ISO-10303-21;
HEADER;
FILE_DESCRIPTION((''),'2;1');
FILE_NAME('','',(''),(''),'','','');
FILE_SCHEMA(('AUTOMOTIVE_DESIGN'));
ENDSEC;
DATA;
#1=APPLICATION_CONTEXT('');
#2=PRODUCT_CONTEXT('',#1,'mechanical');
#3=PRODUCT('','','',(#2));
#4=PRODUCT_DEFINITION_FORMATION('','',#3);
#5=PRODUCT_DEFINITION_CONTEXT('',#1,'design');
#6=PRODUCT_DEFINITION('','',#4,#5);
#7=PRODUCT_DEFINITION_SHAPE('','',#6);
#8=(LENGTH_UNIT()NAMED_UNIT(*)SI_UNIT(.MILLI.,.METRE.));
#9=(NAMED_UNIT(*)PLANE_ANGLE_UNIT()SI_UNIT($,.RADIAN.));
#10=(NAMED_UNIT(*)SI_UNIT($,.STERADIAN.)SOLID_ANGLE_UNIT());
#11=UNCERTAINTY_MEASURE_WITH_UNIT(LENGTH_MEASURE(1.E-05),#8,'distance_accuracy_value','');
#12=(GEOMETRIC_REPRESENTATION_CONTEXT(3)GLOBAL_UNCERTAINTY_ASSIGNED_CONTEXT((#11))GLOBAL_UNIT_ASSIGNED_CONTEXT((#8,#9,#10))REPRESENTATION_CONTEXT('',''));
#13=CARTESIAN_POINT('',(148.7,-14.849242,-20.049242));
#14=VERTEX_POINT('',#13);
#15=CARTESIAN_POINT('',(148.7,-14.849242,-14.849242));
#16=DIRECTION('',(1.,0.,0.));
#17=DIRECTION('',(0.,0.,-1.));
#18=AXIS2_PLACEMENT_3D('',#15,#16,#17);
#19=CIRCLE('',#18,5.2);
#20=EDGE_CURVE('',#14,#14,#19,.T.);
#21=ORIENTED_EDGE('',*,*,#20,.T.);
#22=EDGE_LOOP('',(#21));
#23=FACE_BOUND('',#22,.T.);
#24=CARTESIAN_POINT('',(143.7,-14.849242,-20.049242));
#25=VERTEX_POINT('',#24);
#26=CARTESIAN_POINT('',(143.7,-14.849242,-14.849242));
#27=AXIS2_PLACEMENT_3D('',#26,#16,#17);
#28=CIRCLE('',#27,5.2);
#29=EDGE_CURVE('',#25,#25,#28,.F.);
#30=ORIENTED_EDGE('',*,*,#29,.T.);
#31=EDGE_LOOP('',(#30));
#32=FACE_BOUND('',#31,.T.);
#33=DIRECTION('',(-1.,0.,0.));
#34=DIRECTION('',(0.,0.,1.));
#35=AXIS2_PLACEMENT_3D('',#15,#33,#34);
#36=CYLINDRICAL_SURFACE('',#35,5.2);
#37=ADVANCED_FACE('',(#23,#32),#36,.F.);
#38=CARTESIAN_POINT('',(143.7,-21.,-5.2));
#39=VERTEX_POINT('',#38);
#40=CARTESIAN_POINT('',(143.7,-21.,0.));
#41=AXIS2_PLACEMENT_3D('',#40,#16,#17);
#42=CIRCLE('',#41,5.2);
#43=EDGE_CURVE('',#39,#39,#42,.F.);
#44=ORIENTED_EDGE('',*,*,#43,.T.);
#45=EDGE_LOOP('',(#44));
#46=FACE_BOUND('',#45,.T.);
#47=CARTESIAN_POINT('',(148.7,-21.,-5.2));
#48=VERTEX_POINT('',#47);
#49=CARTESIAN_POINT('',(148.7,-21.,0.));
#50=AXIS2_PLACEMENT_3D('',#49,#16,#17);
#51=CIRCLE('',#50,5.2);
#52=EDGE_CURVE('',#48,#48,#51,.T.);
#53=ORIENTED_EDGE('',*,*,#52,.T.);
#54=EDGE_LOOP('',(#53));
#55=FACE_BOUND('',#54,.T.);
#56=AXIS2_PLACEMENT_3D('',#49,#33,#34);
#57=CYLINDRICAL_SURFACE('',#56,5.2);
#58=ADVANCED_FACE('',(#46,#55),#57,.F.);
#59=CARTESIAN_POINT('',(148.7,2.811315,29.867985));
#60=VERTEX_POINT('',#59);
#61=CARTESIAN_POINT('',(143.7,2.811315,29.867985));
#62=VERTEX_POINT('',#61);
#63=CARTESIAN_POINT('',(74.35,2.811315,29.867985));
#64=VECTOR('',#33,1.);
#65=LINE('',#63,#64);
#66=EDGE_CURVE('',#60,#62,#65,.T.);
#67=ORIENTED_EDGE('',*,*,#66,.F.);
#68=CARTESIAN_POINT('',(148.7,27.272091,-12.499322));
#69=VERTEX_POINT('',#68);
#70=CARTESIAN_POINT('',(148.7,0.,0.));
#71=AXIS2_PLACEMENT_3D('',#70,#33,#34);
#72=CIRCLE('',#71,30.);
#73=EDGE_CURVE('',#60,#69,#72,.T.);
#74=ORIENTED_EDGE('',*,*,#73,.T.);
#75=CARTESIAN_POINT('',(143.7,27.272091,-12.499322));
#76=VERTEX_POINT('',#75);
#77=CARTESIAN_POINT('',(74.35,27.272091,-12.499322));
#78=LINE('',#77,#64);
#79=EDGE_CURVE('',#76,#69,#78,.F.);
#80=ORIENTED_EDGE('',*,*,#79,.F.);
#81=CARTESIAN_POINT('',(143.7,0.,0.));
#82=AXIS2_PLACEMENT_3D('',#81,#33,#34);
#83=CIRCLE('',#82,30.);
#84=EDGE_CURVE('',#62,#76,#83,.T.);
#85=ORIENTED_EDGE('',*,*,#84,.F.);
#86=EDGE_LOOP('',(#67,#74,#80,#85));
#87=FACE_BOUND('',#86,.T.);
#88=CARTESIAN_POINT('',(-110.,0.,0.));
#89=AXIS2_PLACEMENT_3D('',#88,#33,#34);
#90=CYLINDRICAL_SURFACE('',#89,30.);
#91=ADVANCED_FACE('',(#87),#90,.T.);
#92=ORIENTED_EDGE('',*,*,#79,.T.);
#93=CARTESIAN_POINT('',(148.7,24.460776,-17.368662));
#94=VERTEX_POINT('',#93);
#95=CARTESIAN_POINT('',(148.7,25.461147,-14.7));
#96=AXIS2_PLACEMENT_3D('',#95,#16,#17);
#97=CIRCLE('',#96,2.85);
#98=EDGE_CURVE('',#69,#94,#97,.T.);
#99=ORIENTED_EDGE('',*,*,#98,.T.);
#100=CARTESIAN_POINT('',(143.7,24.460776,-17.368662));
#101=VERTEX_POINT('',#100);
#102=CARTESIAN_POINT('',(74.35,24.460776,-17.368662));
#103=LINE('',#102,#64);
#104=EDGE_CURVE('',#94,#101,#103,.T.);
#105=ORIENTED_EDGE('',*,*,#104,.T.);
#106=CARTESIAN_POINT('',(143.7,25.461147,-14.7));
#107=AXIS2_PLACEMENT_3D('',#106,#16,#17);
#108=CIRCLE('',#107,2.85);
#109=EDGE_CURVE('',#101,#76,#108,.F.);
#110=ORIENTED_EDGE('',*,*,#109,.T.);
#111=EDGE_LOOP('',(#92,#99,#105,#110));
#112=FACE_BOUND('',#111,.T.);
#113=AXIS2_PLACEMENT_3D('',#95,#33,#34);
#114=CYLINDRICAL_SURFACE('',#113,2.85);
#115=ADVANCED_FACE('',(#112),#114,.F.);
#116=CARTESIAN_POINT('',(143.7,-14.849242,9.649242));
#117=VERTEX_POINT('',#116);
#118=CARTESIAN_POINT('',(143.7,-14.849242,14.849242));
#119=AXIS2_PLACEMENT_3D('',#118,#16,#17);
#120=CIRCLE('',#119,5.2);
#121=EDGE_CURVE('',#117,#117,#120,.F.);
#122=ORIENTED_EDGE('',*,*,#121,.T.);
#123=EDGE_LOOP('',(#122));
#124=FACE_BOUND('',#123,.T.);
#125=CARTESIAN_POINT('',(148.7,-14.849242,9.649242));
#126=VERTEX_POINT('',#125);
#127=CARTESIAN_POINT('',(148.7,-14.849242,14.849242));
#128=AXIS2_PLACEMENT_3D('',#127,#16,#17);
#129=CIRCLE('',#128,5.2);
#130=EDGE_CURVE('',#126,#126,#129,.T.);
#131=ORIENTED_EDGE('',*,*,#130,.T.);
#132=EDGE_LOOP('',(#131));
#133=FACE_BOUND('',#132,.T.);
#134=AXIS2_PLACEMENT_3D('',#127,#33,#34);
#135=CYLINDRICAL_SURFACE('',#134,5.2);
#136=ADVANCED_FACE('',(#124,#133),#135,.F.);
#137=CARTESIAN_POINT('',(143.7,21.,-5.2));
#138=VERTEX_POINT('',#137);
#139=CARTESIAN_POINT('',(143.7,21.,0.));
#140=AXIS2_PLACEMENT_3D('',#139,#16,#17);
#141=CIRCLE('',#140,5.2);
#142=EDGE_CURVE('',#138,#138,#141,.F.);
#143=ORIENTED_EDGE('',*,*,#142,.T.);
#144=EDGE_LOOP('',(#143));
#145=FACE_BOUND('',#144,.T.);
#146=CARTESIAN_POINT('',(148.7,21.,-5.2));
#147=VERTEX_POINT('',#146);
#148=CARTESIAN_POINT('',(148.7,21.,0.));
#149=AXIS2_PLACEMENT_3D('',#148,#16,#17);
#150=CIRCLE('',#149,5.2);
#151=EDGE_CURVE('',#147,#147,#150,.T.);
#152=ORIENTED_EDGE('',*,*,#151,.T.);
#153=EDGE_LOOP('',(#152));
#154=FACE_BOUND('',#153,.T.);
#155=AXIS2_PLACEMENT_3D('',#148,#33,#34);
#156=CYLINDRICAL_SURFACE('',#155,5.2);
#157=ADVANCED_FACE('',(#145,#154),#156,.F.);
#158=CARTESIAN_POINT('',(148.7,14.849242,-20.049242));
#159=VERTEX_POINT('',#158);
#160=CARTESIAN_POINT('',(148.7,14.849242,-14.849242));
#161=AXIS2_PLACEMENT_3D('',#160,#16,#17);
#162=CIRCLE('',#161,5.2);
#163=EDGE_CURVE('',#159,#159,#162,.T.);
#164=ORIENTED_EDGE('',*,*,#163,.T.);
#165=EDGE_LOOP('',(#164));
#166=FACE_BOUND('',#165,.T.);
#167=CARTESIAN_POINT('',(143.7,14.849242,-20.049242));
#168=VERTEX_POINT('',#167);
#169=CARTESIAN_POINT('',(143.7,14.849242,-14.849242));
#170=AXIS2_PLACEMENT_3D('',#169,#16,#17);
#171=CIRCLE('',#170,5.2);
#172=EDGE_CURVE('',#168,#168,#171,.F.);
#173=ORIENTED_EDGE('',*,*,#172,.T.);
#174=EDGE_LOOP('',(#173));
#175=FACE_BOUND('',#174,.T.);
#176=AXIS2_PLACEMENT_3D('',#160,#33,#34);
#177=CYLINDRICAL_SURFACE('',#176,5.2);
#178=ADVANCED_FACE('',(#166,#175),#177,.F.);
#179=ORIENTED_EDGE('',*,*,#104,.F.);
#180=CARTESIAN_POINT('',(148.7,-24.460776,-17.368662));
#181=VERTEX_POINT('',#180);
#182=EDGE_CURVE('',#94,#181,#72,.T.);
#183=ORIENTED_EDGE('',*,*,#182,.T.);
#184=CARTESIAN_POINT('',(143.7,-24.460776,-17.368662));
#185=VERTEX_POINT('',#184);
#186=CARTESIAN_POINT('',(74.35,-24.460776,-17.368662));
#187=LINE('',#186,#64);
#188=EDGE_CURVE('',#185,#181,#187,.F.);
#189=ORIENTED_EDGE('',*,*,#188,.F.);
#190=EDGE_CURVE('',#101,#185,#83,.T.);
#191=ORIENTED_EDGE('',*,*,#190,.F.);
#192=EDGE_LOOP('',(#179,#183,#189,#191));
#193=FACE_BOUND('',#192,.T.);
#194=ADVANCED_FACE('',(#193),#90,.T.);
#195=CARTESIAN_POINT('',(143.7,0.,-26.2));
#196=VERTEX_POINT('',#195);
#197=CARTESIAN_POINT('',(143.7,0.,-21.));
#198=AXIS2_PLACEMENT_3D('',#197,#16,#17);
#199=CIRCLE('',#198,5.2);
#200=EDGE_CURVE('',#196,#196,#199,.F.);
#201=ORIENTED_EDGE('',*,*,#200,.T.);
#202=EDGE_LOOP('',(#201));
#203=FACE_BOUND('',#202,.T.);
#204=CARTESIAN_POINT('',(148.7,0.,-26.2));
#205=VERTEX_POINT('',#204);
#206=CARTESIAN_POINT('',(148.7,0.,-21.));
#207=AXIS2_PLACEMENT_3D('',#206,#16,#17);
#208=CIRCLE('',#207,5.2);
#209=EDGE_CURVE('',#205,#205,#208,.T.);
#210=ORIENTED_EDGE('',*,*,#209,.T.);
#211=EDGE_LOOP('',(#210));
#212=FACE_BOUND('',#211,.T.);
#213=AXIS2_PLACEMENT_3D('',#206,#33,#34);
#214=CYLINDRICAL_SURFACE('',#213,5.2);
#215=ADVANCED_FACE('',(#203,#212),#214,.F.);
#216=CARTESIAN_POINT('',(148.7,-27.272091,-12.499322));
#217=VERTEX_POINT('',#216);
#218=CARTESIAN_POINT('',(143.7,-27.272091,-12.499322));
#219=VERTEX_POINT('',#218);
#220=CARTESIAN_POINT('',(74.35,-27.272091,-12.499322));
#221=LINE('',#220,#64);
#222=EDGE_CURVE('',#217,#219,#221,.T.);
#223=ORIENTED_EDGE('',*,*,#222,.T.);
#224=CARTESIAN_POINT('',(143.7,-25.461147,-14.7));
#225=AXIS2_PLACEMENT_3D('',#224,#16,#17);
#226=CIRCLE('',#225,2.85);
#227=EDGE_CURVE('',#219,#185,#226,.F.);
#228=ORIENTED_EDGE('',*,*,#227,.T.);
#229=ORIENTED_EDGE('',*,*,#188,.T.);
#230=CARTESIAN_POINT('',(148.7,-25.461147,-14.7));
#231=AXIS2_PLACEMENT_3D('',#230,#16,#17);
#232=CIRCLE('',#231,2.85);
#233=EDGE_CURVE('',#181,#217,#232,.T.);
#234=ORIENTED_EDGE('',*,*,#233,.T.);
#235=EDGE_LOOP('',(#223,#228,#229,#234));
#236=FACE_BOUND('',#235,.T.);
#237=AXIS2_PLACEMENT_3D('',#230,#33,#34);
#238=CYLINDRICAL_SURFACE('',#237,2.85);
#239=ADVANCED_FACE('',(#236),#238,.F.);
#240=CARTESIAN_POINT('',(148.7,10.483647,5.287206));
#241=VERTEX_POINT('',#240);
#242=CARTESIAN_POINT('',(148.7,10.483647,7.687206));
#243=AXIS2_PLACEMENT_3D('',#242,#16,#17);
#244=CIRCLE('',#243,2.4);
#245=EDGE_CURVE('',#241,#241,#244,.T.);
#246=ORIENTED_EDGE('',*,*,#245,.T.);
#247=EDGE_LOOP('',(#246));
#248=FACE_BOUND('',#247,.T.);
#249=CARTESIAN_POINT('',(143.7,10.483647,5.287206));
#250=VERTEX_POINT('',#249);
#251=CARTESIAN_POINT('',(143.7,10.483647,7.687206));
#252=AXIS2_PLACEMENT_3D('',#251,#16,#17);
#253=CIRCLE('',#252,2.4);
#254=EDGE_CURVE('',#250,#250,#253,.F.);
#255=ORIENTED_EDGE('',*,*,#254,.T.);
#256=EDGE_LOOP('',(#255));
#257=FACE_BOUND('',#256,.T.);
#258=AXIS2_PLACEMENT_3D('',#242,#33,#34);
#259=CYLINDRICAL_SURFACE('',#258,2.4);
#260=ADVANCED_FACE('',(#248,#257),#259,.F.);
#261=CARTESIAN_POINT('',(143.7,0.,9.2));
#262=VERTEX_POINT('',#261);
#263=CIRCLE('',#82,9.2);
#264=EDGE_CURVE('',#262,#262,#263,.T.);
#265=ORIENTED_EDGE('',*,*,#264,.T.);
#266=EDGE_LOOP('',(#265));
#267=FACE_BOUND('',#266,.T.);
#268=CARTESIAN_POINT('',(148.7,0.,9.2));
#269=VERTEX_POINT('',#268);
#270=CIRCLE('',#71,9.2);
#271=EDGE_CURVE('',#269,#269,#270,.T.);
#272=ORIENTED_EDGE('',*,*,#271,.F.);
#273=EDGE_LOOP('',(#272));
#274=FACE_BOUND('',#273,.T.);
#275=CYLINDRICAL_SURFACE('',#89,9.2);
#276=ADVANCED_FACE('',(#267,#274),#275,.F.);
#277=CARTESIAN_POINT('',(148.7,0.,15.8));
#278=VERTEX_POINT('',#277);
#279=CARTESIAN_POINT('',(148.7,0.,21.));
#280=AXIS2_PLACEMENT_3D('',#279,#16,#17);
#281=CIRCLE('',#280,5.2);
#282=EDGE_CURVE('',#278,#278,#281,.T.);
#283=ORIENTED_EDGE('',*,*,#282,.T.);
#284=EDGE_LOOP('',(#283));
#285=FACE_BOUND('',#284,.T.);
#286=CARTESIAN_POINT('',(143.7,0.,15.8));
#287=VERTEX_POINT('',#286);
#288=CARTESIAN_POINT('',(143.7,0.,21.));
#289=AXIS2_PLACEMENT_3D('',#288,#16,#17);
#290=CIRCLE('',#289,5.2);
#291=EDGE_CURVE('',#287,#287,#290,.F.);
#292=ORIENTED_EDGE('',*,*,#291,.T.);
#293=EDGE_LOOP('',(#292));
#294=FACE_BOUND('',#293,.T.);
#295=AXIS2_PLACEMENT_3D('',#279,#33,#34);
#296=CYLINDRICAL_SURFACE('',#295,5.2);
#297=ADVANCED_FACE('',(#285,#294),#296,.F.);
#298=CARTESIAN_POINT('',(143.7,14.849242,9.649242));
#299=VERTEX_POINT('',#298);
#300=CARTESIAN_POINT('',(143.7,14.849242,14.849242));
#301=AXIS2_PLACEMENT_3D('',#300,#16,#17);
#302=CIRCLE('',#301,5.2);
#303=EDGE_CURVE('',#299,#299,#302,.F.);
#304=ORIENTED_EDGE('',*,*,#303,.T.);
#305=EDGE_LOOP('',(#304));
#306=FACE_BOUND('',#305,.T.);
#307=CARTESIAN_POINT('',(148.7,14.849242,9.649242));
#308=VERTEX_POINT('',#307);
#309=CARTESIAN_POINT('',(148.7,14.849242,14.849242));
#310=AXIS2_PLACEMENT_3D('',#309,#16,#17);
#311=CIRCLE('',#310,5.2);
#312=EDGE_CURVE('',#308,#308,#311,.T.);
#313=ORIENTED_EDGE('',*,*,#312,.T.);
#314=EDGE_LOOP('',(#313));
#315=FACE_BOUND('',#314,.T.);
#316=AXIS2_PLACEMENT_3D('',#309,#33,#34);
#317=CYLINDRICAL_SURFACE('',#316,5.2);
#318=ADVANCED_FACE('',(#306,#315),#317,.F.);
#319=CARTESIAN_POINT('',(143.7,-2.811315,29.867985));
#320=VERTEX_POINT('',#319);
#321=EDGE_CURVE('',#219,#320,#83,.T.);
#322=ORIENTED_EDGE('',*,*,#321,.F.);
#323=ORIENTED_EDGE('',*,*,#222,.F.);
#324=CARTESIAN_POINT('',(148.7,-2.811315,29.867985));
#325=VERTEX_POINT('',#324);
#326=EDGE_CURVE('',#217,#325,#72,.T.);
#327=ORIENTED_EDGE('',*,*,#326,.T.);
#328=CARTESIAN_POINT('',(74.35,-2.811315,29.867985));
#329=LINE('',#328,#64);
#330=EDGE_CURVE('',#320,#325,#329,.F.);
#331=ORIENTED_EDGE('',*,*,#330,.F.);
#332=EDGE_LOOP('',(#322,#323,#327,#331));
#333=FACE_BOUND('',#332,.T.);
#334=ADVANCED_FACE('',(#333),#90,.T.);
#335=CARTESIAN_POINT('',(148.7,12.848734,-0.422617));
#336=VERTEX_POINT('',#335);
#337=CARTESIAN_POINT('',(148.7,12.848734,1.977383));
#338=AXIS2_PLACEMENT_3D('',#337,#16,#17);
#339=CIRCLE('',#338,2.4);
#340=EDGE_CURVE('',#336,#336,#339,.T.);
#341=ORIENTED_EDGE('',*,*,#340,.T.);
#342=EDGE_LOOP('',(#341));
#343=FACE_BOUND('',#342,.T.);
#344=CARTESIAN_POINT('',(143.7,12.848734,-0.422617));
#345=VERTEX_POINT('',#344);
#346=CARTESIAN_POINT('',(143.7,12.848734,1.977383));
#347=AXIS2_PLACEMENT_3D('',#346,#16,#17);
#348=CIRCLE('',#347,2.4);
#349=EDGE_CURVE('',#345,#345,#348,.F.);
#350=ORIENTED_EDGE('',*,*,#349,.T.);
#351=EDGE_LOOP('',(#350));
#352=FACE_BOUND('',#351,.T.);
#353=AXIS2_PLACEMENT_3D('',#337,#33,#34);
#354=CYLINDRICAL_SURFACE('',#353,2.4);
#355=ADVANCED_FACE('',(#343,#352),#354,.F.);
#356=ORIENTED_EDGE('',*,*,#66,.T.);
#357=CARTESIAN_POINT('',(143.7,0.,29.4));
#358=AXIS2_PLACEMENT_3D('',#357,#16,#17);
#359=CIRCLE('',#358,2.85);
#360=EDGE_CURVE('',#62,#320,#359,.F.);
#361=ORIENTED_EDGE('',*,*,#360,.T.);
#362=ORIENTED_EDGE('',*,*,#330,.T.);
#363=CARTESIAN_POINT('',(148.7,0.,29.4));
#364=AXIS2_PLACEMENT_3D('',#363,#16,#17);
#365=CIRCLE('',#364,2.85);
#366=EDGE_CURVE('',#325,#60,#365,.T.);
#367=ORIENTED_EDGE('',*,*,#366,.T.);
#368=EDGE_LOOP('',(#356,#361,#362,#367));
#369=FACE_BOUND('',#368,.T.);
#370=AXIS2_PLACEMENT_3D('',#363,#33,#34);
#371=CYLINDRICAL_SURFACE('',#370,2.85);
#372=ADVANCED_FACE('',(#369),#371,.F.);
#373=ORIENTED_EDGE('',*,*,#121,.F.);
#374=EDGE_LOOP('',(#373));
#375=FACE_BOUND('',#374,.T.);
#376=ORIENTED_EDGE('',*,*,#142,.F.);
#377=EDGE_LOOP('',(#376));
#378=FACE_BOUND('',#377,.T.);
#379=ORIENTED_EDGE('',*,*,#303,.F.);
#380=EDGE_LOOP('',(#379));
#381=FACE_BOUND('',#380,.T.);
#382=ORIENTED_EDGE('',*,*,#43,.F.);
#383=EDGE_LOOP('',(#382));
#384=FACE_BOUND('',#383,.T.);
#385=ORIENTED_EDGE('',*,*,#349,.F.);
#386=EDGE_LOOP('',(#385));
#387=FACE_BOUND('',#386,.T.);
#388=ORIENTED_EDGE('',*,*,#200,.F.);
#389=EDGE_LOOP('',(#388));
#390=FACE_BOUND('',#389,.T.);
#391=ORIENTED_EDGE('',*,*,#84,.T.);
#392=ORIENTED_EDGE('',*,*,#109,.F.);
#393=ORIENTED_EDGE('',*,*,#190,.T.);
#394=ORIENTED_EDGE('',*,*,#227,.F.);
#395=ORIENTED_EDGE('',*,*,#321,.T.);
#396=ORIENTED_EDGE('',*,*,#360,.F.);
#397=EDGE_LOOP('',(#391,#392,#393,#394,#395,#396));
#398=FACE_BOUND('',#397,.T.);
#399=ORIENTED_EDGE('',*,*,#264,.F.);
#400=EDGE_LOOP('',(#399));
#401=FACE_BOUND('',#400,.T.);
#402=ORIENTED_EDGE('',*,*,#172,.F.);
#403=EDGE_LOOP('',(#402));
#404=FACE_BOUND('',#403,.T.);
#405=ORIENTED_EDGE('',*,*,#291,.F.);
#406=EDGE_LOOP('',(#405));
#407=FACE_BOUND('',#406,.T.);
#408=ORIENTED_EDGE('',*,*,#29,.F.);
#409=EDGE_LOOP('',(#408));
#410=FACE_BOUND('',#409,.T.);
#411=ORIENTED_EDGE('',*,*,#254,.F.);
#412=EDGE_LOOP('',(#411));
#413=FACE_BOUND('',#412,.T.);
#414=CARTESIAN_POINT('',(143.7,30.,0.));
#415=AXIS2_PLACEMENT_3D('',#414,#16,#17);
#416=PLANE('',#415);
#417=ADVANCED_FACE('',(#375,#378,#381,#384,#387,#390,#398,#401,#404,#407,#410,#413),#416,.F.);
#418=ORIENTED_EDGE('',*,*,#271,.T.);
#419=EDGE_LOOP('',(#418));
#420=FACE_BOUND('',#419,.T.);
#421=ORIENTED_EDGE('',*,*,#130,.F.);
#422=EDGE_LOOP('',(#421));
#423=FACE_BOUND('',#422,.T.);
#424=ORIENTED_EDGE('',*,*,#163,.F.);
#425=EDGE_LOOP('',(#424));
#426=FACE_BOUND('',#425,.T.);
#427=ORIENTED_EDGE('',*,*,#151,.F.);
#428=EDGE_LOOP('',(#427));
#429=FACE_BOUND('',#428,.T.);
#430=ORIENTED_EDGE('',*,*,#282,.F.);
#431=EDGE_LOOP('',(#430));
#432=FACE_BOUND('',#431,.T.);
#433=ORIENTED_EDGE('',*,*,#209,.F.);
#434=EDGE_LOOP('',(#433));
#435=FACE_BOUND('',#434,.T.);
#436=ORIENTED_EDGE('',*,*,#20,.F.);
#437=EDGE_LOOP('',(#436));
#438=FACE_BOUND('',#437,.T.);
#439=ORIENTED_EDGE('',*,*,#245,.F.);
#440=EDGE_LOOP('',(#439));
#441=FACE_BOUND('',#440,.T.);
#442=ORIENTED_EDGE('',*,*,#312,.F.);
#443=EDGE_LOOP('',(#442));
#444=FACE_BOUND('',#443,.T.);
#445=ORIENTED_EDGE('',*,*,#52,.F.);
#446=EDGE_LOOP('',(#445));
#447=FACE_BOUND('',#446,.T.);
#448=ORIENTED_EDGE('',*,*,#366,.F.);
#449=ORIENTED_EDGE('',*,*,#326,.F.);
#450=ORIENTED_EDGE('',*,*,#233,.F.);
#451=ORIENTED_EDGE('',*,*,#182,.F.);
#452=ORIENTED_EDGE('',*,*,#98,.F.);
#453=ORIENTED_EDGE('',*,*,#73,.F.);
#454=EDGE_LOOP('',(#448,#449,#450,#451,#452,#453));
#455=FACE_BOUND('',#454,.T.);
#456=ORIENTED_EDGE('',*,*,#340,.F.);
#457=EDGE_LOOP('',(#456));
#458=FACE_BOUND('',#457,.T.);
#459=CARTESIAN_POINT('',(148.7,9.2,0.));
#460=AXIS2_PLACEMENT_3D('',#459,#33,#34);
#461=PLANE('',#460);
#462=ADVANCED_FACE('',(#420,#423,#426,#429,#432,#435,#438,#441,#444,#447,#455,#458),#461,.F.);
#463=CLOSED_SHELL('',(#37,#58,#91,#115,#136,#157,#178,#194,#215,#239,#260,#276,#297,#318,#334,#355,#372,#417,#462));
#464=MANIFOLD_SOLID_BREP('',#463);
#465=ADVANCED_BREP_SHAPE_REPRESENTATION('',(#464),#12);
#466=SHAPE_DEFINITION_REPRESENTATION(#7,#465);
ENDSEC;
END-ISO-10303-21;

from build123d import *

# Parameters (mm, degrees)
AXIAL_PROFILE_MM_W     = 5
AXIAL_PROFILE_MM_H     = 20.8
AXIAL_HOLES_DEPTH      = 155.634051877
AXIAL_HOLES_DEPTH_BACK = 155.634051877
SKETCH2_R              = 5.2
SKETCH2_R_2            = 2.4
SKETCH2_R_3            = 2.85


with BuildPart() as part:
    # Axial profile (mm) → Full revolution (revolve)
    with BuildSketch(Plane.XY, mode=Mode.PRIVATE) as full_revolution_sk:
        with Locations((146.2, 19.6)):
            Rectangle(AXIAL_PROFILE_MM_W, AXIAL_PROFILE_MM_H)
    revolve(full_revolution_sk.sketch.rotate(Axis((-110, 0, 0), (1, 0, 0)), 90), axis=Axis((-110, 0, 0), (1, 0, 0)))

    # Sketch2 → Axial holes (cut, two sides: drawn at the far end of the back side and taken through both)
    with BuildSketch(Plane(origin=(0, 0, 0), x_dir=(0, 0, -1), z_dir=(1, 0, 0)).offset(-AXIAL_HOLES_DEPTH_BACK)):
        with Locations((0, 21)):
            Circle(SKETCH2_R)
        with Locations((-14.849242405, 14.849242405)):
            Circle(SKETCH2_R)
        with Locations((-21, 0)):
            Circle(SKETCH2_R)
        with Locations((-14.849242405, -14.849242405)):
            Circle(SKETCH2_R)
        with Locations((0, -21)):
            Circle(SKETCH2_R)
        with Locations((14.849242405, -14.849242405)):
            Circle(SKETCH2_R)
        with Locations((21, 0)):
            Circle(SKETCH2_R)
        with Locations((14.849242405, 14.849242405)):
            Circle(SKETCH2_R)
        with Locations((-1.977382665, 12.848733704)):
            Circle(SKETCH2_R_2)
        with Locations((-7.687206041, 10.483647423)):
            Circle(SKETCH2_R_2)
        with Locations((-29.4, 0)):
            Circle(SKETCH2_R_3)
        with Locations((14.7, -25.461146871)):
            Circle(SKETCH2_R_3)
        with Locations((14.7, 25.461146871)):
            Circle(SKETCH2_R_3)
    extrude(amount=AXIAL_HOLES_DEPTH + AXIAL_HOLES_DEPTH_BACK, mode=Mode.SUBTRACT)


solid = part.part
